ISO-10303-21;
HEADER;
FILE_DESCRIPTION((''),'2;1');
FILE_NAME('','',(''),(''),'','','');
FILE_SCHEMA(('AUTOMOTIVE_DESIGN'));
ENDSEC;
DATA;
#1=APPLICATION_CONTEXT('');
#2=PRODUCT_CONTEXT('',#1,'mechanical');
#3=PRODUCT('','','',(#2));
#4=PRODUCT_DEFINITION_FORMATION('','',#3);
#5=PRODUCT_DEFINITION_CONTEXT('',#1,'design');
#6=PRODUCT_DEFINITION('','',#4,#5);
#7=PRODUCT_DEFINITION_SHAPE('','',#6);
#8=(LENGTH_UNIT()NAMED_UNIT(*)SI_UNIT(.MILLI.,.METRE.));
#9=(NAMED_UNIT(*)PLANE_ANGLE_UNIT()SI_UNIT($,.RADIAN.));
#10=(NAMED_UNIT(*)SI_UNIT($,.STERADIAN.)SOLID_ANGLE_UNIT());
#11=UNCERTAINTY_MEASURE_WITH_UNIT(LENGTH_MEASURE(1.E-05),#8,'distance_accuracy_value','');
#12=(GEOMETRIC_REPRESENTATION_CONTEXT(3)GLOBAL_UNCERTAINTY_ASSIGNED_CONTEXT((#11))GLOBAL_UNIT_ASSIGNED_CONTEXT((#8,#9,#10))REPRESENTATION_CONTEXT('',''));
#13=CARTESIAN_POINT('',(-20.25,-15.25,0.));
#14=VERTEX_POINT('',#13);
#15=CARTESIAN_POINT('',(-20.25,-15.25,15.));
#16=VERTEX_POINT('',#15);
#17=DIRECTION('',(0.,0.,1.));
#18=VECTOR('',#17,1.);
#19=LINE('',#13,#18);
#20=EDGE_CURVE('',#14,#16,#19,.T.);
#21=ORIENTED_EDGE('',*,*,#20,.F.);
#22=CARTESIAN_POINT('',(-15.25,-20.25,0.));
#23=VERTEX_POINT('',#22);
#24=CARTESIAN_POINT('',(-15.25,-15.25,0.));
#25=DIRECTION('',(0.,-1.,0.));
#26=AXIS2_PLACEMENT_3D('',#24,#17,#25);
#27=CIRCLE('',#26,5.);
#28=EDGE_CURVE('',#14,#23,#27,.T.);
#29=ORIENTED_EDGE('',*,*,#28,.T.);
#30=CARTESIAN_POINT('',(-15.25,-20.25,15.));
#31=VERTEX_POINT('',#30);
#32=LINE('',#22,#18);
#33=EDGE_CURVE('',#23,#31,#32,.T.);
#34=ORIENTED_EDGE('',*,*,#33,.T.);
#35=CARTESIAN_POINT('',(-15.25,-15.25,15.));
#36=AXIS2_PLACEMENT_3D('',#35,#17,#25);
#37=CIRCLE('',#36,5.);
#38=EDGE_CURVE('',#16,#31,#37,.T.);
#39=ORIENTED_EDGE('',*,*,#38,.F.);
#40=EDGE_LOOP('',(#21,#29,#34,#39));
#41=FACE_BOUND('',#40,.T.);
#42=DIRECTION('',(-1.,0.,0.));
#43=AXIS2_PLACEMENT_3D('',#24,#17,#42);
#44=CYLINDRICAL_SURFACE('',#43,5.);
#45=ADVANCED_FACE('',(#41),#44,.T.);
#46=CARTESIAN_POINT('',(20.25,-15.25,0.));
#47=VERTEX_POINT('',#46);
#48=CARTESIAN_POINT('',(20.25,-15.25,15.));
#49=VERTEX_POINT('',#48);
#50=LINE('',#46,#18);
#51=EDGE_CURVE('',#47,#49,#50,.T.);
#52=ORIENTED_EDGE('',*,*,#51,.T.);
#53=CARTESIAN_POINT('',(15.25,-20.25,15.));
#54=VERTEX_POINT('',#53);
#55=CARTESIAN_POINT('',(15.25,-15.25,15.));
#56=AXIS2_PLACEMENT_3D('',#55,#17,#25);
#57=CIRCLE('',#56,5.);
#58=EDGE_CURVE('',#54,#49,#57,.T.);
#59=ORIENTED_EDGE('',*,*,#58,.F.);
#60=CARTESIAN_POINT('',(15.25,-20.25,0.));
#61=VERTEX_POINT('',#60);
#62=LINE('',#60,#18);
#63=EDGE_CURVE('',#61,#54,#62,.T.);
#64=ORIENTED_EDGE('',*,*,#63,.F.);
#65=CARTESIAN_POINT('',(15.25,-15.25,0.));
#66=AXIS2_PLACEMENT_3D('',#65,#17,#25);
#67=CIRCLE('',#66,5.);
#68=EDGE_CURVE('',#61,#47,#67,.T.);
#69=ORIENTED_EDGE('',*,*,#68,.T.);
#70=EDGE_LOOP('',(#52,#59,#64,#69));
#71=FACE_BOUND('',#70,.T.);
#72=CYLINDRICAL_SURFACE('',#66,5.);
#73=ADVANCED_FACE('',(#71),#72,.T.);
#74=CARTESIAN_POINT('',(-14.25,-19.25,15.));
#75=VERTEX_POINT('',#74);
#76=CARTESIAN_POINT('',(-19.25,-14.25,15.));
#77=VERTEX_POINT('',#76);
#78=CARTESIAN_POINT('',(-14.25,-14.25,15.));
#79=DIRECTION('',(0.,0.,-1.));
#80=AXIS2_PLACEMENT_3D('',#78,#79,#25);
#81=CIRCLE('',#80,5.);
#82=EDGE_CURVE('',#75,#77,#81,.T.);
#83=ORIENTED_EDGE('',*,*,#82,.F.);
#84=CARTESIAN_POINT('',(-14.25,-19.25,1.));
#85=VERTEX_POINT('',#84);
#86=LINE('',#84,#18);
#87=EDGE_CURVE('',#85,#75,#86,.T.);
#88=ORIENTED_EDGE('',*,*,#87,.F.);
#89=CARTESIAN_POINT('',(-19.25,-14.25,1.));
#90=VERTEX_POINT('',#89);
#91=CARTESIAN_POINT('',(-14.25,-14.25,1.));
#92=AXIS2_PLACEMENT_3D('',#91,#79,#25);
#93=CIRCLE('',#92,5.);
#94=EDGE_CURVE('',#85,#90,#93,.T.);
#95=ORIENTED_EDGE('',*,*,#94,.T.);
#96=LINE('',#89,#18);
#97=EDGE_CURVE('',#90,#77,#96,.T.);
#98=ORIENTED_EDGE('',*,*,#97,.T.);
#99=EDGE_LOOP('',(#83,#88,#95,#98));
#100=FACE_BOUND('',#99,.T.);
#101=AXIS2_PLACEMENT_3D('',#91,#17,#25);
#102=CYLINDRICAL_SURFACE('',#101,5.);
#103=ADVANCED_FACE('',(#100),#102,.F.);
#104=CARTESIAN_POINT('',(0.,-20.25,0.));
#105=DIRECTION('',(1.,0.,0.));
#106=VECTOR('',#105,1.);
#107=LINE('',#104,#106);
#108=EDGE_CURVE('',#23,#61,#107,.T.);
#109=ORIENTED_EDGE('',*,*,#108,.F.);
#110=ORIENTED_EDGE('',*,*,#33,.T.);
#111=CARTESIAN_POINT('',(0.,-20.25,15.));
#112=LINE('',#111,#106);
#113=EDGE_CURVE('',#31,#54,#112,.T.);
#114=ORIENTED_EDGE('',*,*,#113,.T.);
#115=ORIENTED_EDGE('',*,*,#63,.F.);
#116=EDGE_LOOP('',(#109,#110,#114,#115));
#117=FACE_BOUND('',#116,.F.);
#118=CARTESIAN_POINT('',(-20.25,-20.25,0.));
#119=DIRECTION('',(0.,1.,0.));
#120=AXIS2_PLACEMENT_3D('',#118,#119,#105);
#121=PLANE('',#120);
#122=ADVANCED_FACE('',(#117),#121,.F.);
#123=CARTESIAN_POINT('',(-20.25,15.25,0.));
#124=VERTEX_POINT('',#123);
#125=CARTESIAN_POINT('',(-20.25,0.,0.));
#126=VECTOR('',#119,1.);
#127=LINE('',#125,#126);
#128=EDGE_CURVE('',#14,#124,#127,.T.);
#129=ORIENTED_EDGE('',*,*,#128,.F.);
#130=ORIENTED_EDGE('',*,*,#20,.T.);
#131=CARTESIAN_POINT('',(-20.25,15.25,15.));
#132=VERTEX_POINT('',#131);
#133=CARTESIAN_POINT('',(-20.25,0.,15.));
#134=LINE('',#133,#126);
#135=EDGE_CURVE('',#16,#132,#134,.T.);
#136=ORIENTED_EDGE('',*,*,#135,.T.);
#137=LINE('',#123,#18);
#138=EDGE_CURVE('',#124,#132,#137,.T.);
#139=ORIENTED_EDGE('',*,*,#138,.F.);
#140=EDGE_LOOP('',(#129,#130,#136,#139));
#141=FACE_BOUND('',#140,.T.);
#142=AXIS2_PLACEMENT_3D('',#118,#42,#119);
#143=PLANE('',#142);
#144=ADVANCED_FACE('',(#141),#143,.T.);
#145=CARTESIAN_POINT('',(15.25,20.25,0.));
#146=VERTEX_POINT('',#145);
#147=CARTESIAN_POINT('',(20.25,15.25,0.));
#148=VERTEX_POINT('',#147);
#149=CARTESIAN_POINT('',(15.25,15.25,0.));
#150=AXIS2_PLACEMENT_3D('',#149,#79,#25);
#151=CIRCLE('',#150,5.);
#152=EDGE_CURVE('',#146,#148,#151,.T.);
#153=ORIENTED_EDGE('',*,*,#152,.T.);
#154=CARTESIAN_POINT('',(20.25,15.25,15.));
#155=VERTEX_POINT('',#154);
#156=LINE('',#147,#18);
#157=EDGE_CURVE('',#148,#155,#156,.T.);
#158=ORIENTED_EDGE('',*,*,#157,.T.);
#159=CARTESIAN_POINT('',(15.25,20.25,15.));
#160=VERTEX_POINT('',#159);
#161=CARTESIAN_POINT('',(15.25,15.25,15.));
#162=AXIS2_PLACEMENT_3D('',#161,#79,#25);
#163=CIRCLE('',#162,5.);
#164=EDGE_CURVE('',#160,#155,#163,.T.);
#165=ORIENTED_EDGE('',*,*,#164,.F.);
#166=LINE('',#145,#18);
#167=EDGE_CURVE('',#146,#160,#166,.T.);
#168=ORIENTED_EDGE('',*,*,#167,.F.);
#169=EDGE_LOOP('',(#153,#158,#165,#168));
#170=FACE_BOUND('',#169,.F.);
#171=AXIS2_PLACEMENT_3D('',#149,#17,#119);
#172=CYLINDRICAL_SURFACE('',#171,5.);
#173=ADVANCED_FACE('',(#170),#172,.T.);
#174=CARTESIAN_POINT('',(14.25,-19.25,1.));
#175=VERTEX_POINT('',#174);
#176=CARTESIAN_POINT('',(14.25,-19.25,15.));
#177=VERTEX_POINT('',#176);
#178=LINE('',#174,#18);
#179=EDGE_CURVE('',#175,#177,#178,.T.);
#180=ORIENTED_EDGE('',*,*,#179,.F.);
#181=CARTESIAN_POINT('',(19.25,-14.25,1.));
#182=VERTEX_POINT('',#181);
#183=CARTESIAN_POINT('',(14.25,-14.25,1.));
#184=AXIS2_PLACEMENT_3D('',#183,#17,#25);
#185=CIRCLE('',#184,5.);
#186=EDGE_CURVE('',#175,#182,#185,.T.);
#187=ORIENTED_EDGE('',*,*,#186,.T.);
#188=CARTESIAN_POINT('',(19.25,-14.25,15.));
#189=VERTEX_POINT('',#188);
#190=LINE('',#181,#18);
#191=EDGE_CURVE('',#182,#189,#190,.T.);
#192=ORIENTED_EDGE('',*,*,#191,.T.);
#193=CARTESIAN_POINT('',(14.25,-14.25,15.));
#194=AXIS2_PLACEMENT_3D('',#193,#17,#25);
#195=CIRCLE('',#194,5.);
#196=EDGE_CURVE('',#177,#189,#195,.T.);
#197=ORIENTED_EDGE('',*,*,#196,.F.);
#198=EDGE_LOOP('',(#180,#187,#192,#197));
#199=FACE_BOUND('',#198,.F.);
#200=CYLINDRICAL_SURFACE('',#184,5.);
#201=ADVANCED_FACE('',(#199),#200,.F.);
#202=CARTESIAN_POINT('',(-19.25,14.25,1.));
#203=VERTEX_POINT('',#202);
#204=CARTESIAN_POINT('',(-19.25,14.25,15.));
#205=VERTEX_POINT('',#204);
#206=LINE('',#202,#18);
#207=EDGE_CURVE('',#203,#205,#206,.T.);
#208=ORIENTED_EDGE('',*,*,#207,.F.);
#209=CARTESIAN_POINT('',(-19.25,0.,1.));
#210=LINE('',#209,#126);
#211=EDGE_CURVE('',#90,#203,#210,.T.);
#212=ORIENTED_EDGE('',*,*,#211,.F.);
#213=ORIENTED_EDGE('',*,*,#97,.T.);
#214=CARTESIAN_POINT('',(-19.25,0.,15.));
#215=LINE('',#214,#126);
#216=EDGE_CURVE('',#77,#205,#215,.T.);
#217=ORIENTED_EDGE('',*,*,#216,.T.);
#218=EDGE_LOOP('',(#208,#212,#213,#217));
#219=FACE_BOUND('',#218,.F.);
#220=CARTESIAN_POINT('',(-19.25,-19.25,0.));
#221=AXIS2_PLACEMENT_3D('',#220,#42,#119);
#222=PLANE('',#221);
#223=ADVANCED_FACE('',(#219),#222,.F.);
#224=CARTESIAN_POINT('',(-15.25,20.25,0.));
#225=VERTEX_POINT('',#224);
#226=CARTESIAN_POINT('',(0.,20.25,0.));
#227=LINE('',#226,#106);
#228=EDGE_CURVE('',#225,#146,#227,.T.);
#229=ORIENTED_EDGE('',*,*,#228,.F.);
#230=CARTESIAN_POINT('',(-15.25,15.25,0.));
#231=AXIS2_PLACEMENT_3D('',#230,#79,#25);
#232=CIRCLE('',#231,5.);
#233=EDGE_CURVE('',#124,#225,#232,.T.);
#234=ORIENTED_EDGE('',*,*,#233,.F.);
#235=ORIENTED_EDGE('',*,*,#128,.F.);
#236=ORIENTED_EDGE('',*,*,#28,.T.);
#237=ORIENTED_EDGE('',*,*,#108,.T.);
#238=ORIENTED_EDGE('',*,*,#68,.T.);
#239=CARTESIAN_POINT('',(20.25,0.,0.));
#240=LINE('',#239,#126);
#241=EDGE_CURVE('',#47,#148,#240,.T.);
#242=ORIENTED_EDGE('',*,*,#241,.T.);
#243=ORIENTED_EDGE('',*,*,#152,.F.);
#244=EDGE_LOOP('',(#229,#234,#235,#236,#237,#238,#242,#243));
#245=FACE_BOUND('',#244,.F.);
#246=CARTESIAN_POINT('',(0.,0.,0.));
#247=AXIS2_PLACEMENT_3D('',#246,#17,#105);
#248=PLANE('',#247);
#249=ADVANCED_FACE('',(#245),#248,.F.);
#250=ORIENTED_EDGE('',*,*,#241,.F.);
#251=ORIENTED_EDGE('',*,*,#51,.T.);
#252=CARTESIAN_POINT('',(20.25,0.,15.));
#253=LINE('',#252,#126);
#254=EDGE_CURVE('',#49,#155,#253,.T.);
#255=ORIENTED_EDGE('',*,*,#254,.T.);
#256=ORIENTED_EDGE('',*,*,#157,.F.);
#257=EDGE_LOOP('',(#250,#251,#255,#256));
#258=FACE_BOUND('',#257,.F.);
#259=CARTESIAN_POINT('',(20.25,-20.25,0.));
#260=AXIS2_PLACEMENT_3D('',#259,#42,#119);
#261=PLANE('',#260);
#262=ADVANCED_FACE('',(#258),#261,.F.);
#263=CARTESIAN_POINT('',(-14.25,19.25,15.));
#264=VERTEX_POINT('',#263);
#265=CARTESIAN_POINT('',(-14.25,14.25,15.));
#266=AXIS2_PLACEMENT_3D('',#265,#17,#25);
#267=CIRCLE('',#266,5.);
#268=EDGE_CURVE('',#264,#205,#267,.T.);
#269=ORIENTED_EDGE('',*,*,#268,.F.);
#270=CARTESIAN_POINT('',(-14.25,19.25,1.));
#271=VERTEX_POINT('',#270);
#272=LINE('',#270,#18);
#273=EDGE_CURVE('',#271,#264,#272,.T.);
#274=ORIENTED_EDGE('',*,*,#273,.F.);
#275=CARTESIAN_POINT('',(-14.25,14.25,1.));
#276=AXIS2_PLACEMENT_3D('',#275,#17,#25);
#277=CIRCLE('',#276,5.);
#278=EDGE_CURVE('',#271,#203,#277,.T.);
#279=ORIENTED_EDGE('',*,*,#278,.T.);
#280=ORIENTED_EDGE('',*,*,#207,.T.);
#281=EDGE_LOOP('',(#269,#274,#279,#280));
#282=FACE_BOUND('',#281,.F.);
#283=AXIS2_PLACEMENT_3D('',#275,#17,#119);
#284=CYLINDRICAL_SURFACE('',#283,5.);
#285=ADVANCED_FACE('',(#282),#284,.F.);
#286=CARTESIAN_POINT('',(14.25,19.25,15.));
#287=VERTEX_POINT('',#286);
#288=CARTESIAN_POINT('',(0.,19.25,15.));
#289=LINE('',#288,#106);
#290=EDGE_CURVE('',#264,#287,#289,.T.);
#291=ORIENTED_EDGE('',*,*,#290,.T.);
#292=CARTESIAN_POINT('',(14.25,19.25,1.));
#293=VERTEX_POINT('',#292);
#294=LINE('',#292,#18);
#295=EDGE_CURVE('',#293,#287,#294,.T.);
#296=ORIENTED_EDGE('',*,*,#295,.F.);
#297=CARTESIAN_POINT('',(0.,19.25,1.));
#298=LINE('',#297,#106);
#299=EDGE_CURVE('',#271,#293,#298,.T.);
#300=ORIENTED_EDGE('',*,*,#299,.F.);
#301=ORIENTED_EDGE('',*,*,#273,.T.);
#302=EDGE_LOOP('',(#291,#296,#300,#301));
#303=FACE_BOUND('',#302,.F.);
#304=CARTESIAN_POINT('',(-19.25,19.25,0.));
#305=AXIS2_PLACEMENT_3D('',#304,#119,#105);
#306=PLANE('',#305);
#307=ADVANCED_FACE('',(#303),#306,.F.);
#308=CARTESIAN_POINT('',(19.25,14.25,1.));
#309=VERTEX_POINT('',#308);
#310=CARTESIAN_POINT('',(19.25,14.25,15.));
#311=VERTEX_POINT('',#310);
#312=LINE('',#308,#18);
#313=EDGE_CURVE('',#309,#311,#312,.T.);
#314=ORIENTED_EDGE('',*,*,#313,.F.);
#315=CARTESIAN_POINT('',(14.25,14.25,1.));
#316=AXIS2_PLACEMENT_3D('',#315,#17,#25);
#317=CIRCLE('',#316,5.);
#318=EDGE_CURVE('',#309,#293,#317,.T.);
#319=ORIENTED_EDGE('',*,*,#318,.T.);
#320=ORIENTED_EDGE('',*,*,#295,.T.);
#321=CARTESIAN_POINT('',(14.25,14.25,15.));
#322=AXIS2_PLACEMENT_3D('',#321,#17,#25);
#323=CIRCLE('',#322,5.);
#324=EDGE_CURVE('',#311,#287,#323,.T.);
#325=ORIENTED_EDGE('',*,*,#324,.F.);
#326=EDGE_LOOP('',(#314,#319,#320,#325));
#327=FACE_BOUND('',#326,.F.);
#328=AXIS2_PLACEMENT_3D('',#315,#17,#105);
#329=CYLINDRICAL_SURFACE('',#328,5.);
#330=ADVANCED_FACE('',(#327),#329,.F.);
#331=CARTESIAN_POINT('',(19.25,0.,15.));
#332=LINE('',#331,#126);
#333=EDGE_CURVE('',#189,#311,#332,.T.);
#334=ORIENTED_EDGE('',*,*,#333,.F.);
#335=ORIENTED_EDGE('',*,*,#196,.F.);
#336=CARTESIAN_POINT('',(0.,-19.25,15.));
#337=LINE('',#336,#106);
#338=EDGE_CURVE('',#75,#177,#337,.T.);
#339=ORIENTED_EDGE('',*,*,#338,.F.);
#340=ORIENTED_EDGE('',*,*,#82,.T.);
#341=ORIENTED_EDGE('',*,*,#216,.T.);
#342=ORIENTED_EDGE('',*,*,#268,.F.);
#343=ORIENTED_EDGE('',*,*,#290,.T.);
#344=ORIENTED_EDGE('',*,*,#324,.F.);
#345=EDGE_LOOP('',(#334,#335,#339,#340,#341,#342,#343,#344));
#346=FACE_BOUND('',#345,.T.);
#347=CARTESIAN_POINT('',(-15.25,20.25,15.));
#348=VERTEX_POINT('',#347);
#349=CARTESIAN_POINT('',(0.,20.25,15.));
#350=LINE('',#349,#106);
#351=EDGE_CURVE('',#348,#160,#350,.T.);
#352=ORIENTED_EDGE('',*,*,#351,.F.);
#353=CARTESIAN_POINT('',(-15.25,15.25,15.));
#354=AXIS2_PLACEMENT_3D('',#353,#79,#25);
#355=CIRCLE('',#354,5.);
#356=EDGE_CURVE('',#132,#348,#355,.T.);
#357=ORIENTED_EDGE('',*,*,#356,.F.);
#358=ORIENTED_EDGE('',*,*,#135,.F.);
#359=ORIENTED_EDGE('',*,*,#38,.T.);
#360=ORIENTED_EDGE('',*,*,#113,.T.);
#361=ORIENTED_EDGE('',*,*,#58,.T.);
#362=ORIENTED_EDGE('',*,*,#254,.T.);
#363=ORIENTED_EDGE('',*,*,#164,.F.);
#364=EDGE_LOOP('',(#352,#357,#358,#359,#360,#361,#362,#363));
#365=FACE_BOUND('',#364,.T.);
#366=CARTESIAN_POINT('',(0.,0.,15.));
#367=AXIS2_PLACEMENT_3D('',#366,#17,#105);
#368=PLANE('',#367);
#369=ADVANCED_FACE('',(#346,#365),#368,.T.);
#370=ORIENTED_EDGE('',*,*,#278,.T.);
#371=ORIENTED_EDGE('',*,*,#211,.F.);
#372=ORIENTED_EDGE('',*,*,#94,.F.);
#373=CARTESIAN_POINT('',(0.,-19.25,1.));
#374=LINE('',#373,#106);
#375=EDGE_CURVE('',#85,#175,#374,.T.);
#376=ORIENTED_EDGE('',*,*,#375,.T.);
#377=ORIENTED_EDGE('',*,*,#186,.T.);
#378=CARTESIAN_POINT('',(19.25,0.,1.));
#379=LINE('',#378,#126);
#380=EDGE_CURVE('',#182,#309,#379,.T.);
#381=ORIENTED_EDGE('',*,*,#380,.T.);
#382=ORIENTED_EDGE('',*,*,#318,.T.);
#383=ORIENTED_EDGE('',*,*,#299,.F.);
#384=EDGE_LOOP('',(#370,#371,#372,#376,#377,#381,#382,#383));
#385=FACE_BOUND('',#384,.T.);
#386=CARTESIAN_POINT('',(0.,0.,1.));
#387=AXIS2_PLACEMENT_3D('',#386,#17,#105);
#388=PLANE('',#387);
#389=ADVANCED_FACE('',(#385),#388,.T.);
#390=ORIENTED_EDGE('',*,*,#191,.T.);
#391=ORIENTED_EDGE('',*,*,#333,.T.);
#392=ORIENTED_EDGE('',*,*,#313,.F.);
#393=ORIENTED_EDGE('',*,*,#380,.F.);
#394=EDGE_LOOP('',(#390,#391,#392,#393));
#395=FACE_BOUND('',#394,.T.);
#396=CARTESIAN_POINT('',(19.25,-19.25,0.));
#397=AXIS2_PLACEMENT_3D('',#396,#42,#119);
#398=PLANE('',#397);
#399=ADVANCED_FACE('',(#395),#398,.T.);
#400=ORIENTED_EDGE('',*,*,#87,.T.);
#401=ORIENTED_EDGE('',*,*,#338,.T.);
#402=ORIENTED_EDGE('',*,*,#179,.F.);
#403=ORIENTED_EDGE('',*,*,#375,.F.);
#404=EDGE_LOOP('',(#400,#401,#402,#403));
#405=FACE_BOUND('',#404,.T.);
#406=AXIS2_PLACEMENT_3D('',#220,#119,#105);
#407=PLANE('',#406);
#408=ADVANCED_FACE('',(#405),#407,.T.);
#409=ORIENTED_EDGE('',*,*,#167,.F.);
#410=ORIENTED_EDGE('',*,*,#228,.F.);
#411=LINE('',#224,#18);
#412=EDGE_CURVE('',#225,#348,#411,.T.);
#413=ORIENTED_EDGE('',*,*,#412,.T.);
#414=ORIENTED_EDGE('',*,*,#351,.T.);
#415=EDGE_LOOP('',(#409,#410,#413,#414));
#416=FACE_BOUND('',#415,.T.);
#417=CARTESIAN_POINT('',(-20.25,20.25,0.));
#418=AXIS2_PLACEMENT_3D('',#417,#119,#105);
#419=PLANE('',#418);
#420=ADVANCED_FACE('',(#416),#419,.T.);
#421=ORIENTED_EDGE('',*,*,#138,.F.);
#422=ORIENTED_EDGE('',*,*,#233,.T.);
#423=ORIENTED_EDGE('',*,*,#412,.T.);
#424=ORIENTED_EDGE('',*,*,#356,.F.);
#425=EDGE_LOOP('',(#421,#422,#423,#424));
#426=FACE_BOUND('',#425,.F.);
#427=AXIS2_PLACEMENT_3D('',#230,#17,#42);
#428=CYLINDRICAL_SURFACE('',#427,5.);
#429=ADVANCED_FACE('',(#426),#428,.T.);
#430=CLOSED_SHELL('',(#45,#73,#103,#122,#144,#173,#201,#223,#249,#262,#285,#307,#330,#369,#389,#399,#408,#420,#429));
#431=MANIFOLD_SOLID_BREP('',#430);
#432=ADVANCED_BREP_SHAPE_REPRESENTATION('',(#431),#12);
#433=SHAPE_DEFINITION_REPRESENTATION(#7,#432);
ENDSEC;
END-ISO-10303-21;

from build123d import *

# Parameters (mm, degrees)
F0_W     = 38.5
F0_H     = 38.5
F1_DEPTH = 1
F0_W_2   = 40.5
F0_H_2   = 40.5
F2_DEPTH = 15
F3_R     = 5


with BuildPart() as f1:
    # F0 (on Top) → F1 (new body)
    with BuildSketch(Plane.XY):
        Rectangle(F0_W, F0_H)
    extrude(amount=F1_DEPTH)

    # F0 (on Top) → F2 (join)
    with BuildSketch(Plane.XY):
        Rectangle(F0_W_2, F0_H_2)
        Rectangle(F0_W, F0_H, mode=Mode.SUBTRACT)
    extrude(amount=F2_DEPTH)

    # F3
    f3_edges = [f1.edges().sort_by_distance(p)[0] for p in [
        (20.25, -20.25, 7.5),
        (19.25, -19.25, 8),
        (-19.25, -19.25, 8),
        (-19.25, 19.25, 8),
        (19.25, 19.25, 8),
        (-20.25, -20.25, 7.5),
        (-20.25, 20.25, 7.5),
        (20.25, 20.25, 7.5),
    ]]
    fillet(f3_edges, radius=F3_R)


solid = f1.part
